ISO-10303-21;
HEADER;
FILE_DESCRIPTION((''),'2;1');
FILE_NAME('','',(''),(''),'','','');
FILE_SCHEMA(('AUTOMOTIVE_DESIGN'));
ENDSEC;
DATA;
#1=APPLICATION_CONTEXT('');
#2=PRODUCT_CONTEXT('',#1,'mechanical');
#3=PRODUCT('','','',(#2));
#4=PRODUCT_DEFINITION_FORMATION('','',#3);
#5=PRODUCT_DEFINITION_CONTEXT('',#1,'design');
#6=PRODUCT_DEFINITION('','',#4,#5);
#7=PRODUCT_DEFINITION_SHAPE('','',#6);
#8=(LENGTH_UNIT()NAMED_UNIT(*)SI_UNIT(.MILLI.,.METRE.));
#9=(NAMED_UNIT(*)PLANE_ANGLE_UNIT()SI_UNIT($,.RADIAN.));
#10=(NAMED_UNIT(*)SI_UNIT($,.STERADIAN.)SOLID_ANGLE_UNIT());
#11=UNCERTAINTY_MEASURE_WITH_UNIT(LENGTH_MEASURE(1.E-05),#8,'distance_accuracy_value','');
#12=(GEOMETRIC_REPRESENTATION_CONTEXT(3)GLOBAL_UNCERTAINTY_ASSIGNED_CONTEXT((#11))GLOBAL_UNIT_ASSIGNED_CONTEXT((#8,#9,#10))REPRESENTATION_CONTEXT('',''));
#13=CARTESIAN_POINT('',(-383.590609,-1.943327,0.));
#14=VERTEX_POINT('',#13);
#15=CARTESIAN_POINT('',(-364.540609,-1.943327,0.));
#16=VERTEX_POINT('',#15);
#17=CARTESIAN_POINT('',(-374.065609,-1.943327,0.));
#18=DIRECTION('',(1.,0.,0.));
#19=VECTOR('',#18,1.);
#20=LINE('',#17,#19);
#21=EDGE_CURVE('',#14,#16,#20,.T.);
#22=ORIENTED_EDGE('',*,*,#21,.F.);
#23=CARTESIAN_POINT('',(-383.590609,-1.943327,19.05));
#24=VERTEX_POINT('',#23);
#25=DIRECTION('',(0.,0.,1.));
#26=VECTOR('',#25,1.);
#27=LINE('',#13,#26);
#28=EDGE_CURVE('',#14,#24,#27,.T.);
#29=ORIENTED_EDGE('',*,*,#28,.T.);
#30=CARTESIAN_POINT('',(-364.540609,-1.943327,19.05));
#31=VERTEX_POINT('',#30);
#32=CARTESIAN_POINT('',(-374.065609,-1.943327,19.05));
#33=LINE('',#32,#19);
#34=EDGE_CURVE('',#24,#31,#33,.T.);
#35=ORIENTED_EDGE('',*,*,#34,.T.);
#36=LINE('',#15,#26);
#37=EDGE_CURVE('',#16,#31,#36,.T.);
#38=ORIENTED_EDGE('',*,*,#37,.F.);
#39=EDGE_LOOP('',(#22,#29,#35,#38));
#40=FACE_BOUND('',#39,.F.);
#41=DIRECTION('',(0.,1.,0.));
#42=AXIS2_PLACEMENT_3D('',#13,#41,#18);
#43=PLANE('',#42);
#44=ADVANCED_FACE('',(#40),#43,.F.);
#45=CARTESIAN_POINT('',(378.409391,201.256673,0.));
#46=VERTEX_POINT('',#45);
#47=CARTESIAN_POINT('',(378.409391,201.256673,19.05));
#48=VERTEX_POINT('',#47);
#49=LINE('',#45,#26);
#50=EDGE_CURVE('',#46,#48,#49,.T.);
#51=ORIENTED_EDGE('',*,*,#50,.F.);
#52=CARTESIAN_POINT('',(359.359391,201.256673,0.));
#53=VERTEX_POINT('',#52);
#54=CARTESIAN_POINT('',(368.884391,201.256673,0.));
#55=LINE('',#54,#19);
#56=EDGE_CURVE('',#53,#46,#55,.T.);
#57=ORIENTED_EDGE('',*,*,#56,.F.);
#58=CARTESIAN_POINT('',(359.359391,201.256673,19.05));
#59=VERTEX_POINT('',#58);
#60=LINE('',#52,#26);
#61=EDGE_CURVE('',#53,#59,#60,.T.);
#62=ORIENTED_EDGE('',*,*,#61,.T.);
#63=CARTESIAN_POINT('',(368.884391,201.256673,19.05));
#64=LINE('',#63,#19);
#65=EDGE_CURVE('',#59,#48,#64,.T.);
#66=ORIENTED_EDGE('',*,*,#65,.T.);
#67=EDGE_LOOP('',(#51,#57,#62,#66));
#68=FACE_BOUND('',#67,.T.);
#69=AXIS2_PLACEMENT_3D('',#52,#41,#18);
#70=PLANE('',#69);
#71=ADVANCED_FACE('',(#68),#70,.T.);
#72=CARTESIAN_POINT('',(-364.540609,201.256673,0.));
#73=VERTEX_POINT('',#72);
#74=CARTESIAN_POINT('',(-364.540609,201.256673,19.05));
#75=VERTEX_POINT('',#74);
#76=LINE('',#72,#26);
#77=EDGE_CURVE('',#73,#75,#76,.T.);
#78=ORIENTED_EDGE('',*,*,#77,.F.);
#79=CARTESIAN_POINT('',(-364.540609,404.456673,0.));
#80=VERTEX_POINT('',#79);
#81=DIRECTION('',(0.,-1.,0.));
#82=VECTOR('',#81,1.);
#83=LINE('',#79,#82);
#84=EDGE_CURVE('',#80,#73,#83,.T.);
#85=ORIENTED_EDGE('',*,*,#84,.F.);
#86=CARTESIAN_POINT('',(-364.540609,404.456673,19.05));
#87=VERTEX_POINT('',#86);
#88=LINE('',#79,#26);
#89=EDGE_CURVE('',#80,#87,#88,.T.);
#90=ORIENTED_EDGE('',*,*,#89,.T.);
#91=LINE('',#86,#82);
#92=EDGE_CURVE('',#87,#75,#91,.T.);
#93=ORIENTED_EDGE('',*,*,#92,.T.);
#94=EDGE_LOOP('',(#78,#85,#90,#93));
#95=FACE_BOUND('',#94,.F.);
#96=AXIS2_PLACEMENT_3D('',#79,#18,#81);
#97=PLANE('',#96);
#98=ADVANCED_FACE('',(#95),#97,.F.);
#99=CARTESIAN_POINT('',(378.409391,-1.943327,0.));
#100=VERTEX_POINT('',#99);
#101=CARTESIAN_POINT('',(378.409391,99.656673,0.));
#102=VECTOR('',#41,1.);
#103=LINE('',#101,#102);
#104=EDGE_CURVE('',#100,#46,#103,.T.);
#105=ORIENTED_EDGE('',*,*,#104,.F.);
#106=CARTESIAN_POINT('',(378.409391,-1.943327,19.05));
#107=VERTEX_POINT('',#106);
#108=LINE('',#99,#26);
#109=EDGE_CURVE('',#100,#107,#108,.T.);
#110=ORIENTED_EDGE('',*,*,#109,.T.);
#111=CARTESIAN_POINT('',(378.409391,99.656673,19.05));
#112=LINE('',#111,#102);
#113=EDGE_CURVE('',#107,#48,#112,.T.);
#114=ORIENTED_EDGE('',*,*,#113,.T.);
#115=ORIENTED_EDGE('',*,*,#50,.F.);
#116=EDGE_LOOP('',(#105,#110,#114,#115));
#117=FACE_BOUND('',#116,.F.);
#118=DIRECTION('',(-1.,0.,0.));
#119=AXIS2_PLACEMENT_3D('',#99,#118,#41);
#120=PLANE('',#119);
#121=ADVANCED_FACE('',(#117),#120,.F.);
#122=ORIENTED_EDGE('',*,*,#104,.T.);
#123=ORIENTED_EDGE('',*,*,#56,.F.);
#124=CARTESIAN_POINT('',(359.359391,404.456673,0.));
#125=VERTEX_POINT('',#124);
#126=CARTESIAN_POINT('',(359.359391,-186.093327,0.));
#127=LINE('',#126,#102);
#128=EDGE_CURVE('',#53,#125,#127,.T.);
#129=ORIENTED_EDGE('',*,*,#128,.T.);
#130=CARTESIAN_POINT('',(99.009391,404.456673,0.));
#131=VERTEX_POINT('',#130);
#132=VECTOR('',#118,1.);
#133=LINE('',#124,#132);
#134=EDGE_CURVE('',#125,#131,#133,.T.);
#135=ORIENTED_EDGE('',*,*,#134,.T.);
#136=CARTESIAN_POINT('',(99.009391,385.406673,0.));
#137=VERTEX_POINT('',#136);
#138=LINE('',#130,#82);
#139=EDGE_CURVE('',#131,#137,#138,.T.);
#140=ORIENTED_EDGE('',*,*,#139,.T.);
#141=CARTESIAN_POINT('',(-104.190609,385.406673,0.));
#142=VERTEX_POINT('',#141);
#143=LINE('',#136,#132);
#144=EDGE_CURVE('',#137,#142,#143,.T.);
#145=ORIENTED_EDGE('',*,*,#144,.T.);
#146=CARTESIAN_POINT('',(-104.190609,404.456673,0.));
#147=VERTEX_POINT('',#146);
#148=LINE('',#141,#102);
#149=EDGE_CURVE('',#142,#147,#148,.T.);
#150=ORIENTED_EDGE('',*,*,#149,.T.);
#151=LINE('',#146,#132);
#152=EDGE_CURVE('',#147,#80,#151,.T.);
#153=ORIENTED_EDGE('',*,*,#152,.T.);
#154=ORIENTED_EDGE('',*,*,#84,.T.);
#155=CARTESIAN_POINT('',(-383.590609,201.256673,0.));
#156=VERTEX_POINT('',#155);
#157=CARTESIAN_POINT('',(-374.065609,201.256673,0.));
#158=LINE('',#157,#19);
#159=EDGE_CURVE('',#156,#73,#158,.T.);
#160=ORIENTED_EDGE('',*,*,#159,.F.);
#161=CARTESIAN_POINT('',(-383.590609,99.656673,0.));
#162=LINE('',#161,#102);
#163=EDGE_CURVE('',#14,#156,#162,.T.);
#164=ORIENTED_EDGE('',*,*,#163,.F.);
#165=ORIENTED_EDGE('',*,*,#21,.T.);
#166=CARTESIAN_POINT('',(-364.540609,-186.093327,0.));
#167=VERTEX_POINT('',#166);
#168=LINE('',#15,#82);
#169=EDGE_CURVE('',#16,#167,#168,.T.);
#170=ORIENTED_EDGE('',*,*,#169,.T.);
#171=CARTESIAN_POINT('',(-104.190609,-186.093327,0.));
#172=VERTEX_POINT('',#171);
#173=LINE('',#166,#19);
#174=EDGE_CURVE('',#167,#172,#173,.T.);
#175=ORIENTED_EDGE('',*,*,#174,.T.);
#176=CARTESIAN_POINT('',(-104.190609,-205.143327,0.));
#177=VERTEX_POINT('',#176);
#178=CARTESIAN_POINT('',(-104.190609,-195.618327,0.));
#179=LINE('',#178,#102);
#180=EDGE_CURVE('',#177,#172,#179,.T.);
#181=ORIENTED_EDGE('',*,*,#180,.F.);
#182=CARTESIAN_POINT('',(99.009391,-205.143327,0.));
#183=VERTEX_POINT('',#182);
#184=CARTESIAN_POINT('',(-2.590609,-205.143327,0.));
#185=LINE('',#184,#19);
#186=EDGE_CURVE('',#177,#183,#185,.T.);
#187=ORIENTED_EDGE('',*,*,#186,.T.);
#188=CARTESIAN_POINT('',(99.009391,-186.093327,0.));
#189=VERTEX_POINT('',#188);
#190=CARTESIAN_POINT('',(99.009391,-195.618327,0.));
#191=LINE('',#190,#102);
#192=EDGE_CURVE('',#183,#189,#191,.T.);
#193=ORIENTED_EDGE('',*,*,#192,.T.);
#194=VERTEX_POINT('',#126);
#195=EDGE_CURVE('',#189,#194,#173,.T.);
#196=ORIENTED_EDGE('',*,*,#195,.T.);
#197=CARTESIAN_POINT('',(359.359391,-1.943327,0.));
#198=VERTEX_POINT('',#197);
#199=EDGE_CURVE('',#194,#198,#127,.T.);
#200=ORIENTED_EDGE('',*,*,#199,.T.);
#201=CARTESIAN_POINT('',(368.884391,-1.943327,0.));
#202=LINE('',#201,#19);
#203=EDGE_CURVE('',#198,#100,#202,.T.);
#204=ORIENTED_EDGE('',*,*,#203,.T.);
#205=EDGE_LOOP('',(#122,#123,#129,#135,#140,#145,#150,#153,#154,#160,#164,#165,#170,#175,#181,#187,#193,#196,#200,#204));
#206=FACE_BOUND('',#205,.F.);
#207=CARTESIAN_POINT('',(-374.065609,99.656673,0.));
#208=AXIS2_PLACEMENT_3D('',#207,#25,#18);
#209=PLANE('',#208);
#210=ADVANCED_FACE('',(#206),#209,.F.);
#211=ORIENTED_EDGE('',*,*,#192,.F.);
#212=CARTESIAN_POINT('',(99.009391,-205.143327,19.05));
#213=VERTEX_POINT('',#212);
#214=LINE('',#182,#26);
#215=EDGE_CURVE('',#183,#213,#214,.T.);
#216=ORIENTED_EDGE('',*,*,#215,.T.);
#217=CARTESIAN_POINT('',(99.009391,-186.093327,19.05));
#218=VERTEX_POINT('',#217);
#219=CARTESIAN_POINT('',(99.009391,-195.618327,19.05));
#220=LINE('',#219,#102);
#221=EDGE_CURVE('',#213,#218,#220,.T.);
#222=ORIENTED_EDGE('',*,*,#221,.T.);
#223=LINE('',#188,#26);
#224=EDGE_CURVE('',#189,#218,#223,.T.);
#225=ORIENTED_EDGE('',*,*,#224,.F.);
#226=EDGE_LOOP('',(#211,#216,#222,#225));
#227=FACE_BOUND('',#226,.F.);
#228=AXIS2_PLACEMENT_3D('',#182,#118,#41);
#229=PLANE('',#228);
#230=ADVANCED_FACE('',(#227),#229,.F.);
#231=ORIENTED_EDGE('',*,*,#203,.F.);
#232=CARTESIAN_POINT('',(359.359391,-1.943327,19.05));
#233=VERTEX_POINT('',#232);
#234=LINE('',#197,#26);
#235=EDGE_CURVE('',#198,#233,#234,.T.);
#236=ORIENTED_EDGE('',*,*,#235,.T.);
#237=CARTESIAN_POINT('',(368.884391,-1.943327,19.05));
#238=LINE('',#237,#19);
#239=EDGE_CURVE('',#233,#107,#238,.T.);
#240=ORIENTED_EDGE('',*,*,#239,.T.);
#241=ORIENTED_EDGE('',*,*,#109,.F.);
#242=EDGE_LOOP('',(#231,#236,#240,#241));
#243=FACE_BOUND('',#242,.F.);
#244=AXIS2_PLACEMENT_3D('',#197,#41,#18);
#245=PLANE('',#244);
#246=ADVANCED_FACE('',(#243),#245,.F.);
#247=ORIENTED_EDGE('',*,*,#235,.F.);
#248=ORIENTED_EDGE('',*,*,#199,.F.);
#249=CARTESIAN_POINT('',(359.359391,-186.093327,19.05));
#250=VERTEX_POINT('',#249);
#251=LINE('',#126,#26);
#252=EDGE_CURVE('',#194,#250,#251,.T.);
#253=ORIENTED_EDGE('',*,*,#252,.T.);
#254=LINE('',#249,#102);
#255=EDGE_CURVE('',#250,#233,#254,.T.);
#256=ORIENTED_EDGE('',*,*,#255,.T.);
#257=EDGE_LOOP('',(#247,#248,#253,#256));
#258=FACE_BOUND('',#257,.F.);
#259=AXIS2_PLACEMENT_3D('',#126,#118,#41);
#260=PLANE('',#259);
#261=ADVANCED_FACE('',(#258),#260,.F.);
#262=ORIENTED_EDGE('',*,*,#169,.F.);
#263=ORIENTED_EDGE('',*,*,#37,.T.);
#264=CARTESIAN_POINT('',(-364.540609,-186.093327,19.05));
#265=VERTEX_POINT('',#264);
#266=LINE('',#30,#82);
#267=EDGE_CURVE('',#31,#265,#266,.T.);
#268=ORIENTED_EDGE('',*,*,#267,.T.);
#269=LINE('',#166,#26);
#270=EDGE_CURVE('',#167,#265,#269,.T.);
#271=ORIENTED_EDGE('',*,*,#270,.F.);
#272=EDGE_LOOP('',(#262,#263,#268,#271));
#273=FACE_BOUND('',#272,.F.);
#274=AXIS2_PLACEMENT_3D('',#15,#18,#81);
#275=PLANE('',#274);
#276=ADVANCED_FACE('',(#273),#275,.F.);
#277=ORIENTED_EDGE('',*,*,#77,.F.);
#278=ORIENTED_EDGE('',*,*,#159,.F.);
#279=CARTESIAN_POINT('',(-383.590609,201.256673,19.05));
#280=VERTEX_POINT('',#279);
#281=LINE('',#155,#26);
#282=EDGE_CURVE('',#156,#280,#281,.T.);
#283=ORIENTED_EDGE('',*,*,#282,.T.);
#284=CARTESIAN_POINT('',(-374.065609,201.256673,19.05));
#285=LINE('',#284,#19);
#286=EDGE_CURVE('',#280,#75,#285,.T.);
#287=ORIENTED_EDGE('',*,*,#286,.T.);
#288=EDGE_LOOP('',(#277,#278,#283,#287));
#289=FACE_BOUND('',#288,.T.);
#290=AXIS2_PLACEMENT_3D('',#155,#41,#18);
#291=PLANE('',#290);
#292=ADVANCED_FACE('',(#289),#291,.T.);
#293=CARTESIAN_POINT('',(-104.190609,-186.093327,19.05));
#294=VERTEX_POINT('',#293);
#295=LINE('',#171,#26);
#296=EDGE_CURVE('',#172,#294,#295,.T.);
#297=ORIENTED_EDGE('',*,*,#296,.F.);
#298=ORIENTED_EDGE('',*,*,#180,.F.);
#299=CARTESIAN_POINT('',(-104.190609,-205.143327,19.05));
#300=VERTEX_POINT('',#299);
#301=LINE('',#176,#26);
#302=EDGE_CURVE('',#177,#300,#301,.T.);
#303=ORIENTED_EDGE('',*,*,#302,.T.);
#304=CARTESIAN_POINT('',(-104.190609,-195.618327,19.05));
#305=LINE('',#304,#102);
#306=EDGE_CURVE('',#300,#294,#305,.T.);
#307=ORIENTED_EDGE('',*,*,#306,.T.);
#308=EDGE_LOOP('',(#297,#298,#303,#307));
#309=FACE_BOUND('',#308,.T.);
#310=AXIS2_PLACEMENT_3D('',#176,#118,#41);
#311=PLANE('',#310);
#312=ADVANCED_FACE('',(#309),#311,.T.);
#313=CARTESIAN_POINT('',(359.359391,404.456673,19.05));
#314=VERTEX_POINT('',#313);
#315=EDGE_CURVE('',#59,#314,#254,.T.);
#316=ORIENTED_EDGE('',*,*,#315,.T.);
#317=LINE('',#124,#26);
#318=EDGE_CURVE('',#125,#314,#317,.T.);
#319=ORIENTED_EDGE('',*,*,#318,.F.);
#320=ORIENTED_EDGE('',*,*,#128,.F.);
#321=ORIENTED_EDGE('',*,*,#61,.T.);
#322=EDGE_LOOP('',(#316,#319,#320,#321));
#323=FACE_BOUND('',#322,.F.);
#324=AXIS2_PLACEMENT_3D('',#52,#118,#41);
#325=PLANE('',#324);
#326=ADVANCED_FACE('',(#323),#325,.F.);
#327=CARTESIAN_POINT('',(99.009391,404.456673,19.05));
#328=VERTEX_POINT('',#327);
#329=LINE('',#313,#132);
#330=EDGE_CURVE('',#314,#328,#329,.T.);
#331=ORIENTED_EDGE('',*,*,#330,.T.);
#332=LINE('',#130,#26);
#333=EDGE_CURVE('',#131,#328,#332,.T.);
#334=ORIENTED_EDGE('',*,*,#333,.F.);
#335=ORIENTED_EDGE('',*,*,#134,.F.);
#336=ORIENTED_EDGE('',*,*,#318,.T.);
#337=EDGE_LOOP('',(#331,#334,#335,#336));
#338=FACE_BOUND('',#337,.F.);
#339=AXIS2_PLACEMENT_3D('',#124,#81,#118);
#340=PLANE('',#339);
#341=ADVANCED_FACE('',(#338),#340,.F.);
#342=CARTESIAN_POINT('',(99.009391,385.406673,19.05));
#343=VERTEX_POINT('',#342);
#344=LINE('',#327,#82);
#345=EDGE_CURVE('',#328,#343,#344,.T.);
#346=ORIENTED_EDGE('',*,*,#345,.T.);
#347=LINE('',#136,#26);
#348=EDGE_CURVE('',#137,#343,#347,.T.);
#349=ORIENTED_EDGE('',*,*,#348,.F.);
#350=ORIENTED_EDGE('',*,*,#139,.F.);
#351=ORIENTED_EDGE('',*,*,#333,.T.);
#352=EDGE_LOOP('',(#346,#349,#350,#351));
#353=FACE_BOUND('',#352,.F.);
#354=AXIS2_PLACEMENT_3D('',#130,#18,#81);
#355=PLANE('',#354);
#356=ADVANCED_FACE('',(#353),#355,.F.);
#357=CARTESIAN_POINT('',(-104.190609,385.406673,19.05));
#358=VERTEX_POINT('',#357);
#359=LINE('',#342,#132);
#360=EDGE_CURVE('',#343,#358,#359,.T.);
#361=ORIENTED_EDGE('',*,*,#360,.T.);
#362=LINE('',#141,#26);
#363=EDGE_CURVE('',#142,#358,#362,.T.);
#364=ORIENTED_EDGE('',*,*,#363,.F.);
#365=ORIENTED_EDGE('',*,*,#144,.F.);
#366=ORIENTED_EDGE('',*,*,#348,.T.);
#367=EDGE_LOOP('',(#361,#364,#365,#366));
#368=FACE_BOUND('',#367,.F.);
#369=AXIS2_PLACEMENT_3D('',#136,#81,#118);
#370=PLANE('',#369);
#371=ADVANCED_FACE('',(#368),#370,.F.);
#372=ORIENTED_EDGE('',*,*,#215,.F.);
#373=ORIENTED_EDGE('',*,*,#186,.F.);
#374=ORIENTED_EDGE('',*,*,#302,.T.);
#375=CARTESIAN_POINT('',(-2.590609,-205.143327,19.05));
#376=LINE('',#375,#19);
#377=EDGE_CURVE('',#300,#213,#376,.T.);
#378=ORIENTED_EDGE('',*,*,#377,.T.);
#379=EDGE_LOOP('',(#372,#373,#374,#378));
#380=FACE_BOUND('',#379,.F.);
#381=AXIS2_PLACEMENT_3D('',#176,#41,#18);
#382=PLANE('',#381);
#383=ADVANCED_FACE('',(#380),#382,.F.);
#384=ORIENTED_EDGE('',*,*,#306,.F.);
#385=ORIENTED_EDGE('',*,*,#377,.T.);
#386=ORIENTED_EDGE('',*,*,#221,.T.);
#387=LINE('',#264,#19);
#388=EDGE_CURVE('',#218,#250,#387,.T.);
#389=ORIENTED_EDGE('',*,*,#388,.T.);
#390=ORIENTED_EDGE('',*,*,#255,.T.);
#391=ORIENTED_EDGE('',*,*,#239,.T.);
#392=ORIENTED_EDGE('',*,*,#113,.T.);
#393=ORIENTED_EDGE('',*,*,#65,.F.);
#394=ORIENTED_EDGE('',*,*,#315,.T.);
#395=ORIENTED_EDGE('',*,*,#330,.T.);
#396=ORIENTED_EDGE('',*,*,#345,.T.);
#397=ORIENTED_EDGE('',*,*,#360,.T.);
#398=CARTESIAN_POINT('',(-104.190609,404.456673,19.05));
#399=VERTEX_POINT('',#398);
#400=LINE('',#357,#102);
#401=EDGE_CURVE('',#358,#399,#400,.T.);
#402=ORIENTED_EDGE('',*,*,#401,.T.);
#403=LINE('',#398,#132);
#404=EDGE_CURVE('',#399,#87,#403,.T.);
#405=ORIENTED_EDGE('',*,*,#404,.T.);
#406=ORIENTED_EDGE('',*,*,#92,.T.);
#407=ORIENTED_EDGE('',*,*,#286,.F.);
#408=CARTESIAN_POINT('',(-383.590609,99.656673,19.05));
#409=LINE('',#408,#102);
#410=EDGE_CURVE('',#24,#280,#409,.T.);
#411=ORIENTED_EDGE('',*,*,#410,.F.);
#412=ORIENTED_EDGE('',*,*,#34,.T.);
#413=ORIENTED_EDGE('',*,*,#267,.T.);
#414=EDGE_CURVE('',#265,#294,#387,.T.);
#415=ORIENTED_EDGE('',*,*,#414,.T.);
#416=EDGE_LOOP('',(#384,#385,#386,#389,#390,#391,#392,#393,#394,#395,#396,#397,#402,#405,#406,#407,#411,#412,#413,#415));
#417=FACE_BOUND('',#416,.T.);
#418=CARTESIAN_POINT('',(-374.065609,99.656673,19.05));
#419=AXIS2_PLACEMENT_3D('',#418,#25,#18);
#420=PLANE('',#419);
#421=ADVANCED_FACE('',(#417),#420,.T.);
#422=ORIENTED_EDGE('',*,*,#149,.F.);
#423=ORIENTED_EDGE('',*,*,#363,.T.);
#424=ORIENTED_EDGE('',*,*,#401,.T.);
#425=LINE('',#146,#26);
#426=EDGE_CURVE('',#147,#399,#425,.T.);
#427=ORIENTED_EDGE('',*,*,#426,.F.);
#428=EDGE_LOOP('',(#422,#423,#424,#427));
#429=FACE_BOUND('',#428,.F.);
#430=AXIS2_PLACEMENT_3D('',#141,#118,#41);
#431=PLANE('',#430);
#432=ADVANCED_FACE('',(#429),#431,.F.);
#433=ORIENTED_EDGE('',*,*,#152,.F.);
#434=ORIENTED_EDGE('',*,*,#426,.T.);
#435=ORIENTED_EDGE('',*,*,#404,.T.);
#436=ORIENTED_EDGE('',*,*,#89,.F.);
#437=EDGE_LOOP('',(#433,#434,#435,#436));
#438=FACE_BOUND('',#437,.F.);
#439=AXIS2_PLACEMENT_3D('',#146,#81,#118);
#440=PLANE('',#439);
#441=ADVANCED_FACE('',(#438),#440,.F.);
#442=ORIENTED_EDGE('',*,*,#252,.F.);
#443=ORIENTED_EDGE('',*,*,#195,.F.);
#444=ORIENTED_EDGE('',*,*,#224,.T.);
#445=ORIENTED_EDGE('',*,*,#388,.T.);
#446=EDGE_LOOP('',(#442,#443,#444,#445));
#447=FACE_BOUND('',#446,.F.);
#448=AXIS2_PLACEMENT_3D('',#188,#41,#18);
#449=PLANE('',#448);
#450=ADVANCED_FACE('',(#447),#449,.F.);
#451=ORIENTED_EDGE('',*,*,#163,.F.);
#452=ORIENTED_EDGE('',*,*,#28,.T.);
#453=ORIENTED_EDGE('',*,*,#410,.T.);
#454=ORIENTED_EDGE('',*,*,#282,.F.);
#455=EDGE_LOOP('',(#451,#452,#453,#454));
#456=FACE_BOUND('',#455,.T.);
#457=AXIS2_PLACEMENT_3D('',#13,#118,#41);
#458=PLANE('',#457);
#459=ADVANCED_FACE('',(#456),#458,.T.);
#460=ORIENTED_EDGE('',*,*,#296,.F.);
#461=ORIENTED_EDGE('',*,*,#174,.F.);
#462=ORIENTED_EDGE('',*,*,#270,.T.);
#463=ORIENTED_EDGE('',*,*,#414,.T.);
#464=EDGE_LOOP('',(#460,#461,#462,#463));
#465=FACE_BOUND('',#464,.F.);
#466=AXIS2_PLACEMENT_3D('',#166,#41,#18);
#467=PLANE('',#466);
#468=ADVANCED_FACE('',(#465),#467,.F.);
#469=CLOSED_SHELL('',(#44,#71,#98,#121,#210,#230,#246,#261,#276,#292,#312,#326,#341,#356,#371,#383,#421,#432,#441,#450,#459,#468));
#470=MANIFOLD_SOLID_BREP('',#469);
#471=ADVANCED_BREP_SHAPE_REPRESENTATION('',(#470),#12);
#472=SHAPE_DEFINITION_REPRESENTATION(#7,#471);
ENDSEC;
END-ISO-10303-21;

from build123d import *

# Parameters (mm, degrees)
F0_W     = 19.05
F0_H     = 203.2
F0_W_2   = 203.2
F0_H_2   = 19.05
F1_DEPTH = 19.05


with BuildPart() as f1:
    # F0 (on Top) → F1 (new body)
    with BuildSketch(Plane.XY):
        with Locations((-374.065609, 99.656673)):
            Rectangle(F0_W, F0_H)
        Polygon((-104.190609, 404.456673), (-364.540609, 404.456673), (-364.540609, 201.256673), (-364.540609, -1.943327), (-364.540609, -186.093327), (-104.190609, -186.093327), (99.009391, -186.093327), (359.359391, -186.093327), (359.359391, -1.943327), (359.359391, 201.256673), (359.359391, 404.456673), (99.009391, 404.456673), (99.009391, 385.406673), (-104.190609, 385.406673), align=None)
        with Locations((368.884391, 99.656673)):
            Rectangle(F0_W, F0_H)
        with Locations((-2.590609, -195.618327)):
            Rectangle(F0_W_2, F0_H_2)
    extrude(amount=F1_DEPTH)


solid = f1.part
